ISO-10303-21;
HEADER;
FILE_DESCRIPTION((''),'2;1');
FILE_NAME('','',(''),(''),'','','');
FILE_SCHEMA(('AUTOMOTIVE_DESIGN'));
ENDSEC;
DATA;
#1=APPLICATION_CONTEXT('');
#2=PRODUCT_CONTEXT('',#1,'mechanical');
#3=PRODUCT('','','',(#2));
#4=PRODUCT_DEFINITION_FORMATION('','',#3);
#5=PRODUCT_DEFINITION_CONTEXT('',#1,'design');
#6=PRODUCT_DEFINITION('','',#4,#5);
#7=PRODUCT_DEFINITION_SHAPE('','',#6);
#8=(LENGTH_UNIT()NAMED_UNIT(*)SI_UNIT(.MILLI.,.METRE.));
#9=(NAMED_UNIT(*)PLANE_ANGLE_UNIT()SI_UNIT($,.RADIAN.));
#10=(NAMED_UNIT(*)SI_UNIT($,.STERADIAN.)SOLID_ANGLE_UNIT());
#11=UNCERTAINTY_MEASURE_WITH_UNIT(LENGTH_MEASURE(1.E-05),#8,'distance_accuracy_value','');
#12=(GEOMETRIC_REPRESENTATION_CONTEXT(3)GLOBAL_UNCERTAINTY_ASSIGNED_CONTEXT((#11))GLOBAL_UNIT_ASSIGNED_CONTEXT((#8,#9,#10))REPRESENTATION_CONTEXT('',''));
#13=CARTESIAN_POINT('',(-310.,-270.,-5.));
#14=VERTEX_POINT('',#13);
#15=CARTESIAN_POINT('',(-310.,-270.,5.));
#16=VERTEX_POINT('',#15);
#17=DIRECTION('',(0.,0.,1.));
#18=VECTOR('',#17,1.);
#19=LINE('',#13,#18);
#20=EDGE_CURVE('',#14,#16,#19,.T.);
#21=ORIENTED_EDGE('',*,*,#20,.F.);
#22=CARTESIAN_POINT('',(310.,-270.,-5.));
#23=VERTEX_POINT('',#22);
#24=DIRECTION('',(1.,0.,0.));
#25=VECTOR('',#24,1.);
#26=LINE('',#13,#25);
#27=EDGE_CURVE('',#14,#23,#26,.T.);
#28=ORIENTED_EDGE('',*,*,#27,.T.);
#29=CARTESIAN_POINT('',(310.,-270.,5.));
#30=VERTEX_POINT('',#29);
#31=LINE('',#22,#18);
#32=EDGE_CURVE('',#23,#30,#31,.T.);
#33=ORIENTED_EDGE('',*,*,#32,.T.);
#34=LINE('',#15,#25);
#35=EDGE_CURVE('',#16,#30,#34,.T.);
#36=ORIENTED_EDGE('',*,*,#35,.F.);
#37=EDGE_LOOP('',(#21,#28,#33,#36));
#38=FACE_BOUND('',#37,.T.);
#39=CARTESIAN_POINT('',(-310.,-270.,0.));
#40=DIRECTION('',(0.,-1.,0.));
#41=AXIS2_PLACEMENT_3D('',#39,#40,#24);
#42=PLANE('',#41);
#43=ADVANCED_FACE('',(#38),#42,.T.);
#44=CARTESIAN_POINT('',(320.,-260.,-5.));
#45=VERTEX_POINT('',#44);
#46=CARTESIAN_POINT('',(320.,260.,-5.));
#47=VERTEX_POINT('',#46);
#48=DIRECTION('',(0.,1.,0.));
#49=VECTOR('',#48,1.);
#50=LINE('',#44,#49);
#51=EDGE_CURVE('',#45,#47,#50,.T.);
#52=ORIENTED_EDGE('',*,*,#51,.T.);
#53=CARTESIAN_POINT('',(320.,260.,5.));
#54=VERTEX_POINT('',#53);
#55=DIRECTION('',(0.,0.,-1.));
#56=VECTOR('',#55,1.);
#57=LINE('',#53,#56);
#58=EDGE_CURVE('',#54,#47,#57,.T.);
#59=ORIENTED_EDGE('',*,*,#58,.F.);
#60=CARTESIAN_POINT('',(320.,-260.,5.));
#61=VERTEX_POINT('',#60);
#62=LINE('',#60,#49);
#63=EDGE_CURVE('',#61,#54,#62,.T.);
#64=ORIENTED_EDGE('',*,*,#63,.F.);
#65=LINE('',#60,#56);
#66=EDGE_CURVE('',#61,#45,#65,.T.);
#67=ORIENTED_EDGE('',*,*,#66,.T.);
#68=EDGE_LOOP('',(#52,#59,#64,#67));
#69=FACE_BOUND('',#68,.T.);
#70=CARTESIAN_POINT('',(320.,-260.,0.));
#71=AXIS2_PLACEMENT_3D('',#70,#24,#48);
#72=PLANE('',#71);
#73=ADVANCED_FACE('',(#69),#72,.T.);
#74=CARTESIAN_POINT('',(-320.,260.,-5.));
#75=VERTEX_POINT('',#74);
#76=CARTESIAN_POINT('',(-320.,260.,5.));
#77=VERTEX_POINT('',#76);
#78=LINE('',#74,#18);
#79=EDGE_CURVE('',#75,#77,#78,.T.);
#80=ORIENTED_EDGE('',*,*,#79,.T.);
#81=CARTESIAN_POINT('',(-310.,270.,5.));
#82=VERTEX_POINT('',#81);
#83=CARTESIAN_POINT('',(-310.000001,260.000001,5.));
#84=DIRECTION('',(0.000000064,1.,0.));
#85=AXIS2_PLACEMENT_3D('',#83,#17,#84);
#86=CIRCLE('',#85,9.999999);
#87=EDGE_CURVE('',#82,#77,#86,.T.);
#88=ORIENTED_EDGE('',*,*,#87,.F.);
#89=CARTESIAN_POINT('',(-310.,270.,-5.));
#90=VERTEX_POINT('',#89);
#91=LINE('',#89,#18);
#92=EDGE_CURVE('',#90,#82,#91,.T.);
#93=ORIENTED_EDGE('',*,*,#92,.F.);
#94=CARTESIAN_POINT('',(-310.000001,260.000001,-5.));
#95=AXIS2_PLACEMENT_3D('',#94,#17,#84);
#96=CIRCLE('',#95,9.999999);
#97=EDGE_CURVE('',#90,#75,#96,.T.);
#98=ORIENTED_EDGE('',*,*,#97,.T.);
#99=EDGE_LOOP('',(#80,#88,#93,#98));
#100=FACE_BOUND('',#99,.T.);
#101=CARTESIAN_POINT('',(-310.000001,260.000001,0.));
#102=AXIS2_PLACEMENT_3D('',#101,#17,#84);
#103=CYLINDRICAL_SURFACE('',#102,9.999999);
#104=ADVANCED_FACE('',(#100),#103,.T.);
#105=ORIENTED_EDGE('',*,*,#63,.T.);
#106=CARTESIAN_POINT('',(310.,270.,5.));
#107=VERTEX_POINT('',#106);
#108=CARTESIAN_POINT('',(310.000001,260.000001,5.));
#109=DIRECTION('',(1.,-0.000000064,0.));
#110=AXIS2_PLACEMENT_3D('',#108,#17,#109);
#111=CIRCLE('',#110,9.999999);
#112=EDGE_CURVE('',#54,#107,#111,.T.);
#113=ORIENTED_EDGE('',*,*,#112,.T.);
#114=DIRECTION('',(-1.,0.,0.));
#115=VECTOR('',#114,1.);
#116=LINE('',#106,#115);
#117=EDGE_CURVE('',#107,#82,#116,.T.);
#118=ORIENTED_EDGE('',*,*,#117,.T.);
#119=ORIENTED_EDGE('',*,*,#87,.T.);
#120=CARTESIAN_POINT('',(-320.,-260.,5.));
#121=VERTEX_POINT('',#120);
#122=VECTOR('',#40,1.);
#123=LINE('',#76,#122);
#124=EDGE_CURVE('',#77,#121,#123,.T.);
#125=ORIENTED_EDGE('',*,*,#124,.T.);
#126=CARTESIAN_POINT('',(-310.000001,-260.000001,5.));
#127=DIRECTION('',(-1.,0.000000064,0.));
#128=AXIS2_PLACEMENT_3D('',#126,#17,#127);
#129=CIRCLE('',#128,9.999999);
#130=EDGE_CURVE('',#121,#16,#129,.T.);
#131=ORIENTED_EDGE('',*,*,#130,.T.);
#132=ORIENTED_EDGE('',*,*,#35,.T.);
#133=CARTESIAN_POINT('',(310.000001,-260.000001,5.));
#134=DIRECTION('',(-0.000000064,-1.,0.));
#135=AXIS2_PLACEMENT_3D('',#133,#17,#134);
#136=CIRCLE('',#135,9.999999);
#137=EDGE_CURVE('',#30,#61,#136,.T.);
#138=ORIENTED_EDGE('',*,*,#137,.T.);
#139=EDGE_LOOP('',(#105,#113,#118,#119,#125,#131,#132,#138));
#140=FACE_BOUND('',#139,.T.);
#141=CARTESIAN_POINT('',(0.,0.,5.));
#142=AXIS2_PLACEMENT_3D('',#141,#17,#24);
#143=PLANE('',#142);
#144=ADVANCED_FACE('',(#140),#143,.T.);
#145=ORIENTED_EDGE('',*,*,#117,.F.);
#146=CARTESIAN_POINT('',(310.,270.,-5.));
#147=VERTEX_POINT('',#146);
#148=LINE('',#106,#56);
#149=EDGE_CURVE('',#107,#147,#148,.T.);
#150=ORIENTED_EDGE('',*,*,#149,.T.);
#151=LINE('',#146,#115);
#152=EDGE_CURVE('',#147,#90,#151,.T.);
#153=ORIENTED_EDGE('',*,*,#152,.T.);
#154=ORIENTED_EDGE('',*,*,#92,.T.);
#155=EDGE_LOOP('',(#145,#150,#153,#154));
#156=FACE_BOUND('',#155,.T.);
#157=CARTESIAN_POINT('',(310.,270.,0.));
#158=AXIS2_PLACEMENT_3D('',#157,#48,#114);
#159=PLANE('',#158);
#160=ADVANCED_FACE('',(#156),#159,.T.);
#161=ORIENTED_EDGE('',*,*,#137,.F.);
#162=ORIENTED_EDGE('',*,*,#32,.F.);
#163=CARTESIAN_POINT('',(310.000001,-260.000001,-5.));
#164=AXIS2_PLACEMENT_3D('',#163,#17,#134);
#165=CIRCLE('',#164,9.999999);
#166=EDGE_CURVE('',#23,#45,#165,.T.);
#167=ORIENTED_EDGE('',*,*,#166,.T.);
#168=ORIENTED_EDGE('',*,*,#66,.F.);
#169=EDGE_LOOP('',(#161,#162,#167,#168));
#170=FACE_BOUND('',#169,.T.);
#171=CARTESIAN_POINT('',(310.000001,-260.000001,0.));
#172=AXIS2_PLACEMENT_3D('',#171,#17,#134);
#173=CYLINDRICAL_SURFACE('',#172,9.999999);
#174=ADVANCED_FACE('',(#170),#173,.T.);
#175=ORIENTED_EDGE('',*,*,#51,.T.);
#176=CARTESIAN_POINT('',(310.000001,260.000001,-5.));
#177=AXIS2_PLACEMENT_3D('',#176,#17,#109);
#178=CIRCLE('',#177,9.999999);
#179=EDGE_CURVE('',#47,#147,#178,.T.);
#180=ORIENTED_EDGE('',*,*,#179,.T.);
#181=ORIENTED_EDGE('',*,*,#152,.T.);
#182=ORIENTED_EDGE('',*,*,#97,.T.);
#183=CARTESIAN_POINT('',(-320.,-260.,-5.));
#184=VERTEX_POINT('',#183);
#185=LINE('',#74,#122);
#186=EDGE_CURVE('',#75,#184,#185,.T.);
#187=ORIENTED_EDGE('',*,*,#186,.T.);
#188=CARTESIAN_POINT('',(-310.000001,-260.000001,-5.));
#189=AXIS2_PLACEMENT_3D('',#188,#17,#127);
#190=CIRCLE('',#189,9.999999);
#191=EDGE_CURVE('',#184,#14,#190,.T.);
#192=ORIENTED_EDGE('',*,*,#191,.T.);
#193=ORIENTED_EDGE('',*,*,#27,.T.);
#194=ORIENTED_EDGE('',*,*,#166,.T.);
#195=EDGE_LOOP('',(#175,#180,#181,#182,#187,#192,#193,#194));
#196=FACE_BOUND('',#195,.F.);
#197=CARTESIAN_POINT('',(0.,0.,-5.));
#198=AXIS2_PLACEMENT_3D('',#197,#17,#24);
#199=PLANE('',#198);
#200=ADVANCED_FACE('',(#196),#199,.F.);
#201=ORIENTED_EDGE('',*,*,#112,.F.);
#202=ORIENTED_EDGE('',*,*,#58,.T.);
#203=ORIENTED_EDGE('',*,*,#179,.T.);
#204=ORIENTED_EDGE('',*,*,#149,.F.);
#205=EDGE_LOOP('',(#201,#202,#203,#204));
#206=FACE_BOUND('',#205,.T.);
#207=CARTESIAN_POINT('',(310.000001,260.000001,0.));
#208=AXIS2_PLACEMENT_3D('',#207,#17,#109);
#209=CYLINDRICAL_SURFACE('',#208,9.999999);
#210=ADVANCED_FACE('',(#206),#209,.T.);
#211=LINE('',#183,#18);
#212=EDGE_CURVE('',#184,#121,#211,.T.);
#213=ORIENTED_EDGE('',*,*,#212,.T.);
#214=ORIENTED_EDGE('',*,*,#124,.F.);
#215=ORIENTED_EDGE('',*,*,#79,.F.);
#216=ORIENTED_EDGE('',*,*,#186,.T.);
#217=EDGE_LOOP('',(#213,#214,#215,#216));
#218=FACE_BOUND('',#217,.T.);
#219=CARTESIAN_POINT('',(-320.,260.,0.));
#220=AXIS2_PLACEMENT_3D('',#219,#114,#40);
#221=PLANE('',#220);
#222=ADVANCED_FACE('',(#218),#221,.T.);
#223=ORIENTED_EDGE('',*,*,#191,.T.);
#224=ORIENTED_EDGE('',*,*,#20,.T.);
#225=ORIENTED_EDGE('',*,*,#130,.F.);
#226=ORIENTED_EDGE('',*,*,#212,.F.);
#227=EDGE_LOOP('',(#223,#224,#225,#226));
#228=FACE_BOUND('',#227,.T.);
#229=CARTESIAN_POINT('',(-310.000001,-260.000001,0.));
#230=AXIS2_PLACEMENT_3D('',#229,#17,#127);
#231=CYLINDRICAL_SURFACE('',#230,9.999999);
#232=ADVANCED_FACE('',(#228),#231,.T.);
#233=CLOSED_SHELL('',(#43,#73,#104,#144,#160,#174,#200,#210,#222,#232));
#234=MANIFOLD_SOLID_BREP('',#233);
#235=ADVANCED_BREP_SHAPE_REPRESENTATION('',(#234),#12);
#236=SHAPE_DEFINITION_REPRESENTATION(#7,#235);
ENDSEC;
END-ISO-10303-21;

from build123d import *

# Parameters (mm, degrees)
F1_DEPTH = 5


with BuildPart() as f1:
    # F0 (on Top) → F1 (new body, symmetric)
    with BuildSketch(Plane.XY):
        with BuildLine():
            Line((310, 270), (-310, 270))
            ThreePointArc((-310, 270), (-317.071068, 267.071068), (-320, 260))
            Line((-320, 260), (-320, -260))
            ThreePointArc((-320, -260), (-317.071068, -267.071068), (-310, -270))
            Line((-310, -270), (310, -270))
            ThreePointArc((310, -270), (317.071068, -267.071068), (320, -260))
            Line((320, -260), (320, 260))
            ThreePointArc((320, 260), (317.071068, 267.071068), (310, 270))
        make_face()
    extrude(amount=F1_DEPTH, both=True)


solid = f1.part
